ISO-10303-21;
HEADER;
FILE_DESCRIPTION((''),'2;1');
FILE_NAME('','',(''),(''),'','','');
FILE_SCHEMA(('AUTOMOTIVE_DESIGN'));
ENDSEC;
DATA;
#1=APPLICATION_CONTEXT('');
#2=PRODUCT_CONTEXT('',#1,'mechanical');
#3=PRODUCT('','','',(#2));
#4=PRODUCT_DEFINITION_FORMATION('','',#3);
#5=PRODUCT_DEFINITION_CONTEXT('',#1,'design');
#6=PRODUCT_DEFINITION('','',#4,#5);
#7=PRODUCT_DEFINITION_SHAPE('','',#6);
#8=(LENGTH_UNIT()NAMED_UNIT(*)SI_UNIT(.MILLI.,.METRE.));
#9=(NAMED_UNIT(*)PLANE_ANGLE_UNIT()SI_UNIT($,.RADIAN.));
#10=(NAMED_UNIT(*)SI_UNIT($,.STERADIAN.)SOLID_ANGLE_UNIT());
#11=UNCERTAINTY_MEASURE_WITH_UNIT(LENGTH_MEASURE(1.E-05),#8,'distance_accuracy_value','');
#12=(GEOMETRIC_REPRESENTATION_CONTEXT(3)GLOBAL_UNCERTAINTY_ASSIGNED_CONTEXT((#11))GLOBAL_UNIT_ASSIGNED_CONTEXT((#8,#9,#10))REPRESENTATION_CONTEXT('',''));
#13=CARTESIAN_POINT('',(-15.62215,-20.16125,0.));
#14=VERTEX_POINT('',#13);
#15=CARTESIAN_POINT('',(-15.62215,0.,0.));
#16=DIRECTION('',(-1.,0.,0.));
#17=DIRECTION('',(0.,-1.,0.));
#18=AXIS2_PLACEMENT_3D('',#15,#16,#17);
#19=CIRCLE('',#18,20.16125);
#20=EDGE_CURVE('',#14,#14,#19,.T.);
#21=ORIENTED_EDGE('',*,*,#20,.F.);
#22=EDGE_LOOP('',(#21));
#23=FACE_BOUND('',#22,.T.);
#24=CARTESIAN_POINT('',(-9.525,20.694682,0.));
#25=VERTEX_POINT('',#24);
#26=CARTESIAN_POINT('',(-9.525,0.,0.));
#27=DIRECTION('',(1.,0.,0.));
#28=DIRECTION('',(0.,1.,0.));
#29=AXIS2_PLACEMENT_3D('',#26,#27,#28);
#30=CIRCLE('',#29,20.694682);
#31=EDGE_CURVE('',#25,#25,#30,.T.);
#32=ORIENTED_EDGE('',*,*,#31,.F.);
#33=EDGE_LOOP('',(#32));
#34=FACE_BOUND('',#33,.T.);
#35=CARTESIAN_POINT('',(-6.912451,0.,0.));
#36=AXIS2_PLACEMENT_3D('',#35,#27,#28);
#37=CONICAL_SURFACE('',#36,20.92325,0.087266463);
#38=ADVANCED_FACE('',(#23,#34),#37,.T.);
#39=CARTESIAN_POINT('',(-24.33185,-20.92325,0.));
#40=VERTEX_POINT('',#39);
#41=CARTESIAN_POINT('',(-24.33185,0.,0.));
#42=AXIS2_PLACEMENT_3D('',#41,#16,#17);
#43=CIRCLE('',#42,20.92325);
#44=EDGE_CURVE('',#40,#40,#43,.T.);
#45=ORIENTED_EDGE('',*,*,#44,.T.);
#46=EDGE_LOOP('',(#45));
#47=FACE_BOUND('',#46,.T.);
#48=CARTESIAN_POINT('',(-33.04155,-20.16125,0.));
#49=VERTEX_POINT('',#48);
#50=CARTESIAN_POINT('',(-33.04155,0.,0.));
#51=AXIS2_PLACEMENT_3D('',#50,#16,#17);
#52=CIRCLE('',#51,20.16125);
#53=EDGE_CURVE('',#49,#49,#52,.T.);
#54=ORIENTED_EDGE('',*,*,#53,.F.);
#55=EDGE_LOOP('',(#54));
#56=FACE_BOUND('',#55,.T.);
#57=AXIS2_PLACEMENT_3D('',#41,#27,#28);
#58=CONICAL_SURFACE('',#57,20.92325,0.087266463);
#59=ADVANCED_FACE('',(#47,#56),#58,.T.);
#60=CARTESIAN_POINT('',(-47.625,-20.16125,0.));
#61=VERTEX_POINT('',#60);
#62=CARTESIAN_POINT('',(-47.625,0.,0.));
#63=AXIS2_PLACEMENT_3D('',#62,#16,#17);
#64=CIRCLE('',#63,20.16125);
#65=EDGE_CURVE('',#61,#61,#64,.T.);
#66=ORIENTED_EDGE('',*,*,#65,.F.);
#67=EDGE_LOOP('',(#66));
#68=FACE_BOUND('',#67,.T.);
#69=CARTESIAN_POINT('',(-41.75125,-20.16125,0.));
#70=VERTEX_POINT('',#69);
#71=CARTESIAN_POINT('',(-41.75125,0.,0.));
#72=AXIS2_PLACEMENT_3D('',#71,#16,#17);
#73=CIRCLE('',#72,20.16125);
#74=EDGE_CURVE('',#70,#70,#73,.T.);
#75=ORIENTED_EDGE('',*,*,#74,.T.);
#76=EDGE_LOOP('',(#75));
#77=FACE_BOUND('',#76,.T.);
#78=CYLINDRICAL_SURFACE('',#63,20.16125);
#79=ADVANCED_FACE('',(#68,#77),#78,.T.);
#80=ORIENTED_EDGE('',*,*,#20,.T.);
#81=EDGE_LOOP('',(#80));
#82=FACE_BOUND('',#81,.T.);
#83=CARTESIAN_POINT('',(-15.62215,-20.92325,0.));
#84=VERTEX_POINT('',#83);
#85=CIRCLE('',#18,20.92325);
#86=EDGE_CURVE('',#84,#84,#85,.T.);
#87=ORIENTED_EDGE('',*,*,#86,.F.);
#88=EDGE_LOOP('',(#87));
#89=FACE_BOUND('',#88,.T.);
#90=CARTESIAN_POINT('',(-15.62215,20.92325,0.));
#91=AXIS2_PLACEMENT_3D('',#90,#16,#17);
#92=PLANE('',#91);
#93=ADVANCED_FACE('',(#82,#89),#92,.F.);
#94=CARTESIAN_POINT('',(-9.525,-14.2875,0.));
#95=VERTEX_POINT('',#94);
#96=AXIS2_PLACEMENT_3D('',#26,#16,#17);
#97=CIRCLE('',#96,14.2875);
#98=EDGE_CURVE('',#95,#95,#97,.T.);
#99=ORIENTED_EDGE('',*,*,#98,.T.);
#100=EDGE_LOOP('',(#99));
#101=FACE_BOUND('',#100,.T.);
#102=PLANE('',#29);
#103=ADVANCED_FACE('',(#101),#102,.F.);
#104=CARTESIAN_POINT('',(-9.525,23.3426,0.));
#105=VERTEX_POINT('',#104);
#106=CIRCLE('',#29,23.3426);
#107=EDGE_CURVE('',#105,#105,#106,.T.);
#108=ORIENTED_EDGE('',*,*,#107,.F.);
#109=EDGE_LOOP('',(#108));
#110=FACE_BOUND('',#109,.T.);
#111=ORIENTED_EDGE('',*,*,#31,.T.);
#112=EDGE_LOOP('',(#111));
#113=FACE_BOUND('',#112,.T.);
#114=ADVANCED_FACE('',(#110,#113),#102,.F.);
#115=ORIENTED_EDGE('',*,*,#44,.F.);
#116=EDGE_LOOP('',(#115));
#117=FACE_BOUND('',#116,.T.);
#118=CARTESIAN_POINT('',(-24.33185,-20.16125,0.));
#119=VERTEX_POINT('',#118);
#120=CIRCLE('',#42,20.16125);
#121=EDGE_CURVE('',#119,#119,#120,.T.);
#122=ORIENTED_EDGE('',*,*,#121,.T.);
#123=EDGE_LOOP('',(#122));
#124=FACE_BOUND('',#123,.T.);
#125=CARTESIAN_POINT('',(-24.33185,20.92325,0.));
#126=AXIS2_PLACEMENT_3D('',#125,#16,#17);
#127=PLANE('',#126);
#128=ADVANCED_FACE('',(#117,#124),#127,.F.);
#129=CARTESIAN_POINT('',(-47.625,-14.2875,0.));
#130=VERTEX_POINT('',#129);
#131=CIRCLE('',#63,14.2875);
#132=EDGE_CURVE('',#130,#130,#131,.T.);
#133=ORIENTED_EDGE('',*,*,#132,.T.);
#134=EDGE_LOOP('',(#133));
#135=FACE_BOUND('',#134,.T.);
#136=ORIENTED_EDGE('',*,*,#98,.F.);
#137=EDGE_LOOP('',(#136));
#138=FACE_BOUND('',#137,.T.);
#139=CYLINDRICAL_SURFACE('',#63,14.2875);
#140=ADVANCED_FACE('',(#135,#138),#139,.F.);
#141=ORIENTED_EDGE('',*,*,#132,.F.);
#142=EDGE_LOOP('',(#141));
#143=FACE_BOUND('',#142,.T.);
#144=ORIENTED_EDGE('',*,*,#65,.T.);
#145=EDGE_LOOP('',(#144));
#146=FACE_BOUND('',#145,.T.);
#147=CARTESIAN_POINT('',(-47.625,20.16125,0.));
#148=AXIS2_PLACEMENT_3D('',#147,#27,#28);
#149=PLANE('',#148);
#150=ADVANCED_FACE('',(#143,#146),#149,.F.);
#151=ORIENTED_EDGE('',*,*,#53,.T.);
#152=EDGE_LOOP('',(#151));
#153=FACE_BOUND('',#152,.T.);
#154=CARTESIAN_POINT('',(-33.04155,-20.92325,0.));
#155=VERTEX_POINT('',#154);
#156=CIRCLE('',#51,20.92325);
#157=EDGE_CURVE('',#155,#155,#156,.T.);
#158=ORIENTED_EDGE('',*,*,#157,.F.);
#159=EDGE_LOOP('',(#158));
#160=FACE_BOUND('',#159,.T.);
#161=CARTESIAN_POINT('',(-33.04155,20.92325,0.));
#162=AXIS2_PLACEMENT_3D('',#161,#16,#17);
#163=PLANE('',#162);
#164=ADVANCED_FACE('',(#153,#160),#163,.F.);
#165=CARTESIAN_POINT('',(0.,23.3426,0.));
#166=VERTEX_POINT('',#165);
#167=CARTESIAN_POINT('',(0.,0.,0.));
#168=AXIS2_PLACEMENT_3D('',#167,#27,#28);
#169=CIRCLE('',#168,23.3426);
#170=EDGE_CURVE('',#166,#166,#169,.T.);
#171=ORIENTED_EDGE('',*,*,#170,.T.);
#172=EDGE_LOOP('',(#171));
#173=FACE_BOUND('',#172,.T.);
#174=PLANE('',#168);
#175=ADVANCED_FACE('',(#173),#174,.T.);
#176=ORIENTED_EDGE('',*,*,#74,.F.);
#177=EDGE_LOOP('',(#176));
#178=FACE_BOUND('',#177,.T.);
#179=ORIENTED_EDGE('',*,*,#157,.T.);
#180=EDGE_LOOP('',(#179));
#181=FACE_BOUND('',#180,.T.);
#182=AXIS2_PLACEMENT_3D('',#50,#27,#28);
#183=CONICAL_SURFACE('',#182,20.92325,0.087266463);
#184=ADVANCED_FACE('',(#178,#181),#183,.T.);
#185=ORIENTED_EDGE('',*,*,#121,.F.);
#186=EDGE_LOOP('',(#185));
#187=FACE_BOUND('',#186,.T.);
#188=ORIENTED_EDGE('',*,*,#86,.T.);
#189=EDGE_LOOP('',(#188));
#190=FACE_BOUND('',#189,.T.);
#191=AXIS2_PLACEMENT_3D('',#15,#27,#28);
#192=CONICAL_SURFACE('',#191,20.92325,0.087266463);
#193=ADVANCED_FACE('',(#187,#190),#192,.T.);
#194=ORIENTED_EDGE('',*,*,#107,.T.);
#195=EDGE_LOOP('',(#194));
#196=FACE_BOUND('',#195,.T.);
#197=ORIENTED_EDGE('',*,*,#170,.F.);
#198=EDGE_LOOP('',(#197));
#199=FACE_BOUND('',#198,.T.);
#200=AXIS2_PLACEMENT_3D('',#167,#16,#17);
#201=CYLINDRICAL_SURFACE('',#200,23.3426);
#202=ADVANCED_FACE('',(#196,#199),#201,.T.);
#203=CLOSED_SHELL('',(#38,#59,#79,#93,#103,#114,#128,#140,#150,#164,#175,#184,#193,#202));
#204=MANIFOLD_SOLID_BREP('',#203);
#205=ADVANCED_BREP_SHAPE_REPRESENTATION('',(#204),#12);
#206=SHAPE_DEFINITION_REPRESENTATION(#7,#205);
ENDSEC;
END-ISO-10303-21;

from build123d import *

# Parameters (mm, degrees)
SKETCH2_R           = 23.3426
BOSS_EXTRUDE1_DEPTH = 9.525


with BuildPart() as part:
    # Sketch1 → Revolve1 (revolve)
    with BuildSketch(Plane.XY):
        Polygon((-47.625, 14.2875), (-9.525, 14.2875), (-9.525, 20.16125), (-6.912450581, 20.16125), (-6.912450581, 20.92325), (-15.622150436, 20.16125), (-15.622150436, 20.92325), (-24.331850291, 20.16125), (-24.331850291, 20.92325), (-33.041550145, 20.16125), (-33.041550145, 20.92325), (-41.75125, 20.16125), (-47.625, 20.16125), align=None)
    revolve(axis=Axis((-47.625, 0, 0), (1, 0, 0)))

    # Sketch2 → Boss-Extrude1 (add)
    with BuildSketch(Plane(origin=(-9.525, 0, 0), x_dir=(0, 0, -1), z_dir=(1, 0, 0))):
        Circle(SKETCH2_R)
    extrude(amount=BOSS_EXTRUDE1_DEPTH)


solid = part.part
